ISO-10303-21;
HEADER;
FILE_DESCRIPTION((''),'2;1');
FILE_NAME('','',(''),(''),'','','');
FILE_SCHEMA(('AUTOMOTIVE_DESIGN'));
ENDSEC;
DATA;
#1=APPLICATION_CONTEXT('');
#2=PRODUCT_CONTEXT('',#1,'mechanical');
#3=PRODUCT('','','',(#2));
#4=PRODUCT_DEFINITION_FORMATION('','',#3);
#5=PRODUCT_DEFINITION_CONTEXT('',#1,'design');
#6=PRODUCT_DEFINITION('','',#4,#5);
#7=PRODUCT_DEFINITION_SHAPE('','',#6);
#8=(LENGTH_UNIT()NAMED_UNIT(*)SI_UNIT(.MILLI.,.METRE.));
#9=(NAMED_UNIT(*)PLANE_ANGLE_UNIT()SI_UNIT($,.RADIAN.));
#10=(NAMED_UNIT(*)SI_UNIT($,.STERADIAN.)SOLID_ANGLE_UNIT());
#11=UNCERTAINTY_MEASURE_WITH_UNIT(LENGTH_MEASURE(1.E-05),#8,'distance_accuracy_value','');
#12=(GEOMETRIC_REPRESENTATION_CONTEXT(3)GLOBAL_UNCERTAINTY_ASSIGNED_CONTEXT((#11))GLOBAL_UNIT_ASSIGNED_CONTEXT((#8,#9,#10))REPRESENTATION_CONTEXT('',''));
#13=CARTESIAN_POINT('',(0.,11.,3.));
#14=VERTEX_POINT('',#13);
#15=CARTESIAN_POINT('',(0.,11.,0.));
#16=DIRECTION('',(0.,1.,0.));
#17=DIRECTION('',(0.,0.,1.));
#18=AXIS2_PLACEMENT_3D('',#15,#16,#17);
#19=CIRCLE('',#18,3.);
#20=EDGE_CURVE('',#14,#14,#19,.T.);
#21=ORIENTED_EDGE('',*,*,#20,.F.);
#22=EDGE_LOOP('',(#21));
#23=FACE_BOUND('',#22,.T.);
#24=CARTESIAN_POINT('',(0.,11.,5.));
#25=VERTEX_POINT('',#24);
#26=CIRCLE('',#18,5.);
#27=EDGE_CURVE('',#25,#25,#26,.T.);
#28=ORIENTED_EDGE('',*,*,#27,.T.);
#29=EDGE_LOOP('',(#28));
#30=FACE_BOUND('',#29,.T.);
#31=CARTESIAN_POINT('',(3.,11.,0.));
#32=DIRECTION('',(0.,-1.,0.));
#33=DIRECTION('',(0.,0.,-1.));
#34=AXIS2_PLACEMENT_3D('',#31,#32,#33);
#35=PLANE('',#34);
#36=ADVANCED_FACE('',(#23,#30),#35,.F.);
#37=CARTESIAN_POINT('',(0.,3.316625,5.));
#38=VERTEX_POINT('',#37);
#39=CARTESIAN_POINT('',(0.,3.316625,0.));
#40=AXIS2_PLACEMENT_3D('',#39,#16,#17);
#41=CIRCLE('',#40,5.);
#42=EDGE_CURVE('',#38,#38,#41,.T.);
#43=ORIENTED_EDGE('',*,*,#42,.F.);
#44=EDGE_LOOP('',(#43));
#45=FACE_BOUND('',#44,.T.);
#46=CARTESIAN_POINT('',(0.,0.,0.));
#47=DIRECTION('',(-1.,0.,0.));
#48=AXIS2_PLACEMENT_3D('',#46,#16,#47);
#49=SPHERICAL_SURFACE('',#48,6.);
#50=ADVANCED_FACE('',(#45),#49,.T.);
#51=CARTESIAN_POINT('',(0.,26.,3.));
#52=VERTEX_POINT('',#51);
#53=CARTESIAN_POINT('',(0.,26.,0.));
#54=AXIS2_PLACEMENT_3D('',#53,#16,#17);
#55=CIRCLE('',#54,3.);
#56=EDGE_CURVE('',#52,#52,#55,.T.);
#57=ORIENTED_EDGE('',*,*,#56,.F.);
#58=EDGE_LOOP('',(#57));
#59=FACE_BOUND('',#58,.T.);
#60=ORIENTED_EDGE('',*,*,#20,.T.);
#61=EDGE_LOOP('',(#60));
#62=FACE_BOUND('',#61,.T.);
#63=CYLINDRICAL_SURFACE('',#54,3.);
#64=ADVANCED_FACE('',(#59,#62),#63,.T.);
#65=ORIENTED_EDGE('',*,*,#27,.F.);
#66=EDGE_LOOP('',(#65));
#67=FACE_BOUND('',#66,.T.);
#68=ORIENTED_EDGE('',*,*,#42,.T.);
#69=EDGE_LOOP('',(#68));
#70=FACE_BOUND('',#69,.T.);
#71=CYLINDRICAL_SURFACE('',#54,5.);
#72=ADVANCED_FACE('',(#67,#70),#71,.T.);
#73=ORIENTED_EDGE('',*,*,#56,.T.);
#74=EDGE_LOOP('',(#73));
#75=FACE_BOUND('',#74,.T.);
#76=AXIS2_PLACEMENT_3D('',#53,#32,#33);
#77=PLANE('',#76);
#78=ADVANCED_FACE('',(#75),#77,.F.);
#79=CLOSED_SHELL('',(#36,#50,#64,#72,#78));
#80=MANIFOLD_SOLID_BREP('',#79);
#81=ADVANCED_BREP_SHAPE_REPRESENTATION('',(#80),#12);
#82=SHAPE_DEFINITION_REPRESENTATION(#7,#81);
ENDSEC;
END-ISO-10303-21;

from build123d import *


with BuildPart() as part:
    # 草图1 → 旋转1 (revolve)
    with BuildSketch(Plane.XY, mode=Mode.PRIVATE) as revolve_1_sk:
        with BuildLine():
            Line((0, 26), (3, 26))
            Line((3, 26), (3, 11))
            Line((3, 11), (5, 11))
            Line((5, 11), (5, 3.31662479))
            ThreePointArc((5, 3.31662479), (5.286764074, -2.837274331), (0, -6))
            Line((0, -6), (0, 6))
            Line((0, 6), (0, 26))
        make_face()
    revolve(revolve_1_sk.sketch.rotate(Axis((0, 26, 0), (0, -1, 0)), 90), axis=Axis((0, 26, 0), (0, -1, 0)))


solid = part.part
